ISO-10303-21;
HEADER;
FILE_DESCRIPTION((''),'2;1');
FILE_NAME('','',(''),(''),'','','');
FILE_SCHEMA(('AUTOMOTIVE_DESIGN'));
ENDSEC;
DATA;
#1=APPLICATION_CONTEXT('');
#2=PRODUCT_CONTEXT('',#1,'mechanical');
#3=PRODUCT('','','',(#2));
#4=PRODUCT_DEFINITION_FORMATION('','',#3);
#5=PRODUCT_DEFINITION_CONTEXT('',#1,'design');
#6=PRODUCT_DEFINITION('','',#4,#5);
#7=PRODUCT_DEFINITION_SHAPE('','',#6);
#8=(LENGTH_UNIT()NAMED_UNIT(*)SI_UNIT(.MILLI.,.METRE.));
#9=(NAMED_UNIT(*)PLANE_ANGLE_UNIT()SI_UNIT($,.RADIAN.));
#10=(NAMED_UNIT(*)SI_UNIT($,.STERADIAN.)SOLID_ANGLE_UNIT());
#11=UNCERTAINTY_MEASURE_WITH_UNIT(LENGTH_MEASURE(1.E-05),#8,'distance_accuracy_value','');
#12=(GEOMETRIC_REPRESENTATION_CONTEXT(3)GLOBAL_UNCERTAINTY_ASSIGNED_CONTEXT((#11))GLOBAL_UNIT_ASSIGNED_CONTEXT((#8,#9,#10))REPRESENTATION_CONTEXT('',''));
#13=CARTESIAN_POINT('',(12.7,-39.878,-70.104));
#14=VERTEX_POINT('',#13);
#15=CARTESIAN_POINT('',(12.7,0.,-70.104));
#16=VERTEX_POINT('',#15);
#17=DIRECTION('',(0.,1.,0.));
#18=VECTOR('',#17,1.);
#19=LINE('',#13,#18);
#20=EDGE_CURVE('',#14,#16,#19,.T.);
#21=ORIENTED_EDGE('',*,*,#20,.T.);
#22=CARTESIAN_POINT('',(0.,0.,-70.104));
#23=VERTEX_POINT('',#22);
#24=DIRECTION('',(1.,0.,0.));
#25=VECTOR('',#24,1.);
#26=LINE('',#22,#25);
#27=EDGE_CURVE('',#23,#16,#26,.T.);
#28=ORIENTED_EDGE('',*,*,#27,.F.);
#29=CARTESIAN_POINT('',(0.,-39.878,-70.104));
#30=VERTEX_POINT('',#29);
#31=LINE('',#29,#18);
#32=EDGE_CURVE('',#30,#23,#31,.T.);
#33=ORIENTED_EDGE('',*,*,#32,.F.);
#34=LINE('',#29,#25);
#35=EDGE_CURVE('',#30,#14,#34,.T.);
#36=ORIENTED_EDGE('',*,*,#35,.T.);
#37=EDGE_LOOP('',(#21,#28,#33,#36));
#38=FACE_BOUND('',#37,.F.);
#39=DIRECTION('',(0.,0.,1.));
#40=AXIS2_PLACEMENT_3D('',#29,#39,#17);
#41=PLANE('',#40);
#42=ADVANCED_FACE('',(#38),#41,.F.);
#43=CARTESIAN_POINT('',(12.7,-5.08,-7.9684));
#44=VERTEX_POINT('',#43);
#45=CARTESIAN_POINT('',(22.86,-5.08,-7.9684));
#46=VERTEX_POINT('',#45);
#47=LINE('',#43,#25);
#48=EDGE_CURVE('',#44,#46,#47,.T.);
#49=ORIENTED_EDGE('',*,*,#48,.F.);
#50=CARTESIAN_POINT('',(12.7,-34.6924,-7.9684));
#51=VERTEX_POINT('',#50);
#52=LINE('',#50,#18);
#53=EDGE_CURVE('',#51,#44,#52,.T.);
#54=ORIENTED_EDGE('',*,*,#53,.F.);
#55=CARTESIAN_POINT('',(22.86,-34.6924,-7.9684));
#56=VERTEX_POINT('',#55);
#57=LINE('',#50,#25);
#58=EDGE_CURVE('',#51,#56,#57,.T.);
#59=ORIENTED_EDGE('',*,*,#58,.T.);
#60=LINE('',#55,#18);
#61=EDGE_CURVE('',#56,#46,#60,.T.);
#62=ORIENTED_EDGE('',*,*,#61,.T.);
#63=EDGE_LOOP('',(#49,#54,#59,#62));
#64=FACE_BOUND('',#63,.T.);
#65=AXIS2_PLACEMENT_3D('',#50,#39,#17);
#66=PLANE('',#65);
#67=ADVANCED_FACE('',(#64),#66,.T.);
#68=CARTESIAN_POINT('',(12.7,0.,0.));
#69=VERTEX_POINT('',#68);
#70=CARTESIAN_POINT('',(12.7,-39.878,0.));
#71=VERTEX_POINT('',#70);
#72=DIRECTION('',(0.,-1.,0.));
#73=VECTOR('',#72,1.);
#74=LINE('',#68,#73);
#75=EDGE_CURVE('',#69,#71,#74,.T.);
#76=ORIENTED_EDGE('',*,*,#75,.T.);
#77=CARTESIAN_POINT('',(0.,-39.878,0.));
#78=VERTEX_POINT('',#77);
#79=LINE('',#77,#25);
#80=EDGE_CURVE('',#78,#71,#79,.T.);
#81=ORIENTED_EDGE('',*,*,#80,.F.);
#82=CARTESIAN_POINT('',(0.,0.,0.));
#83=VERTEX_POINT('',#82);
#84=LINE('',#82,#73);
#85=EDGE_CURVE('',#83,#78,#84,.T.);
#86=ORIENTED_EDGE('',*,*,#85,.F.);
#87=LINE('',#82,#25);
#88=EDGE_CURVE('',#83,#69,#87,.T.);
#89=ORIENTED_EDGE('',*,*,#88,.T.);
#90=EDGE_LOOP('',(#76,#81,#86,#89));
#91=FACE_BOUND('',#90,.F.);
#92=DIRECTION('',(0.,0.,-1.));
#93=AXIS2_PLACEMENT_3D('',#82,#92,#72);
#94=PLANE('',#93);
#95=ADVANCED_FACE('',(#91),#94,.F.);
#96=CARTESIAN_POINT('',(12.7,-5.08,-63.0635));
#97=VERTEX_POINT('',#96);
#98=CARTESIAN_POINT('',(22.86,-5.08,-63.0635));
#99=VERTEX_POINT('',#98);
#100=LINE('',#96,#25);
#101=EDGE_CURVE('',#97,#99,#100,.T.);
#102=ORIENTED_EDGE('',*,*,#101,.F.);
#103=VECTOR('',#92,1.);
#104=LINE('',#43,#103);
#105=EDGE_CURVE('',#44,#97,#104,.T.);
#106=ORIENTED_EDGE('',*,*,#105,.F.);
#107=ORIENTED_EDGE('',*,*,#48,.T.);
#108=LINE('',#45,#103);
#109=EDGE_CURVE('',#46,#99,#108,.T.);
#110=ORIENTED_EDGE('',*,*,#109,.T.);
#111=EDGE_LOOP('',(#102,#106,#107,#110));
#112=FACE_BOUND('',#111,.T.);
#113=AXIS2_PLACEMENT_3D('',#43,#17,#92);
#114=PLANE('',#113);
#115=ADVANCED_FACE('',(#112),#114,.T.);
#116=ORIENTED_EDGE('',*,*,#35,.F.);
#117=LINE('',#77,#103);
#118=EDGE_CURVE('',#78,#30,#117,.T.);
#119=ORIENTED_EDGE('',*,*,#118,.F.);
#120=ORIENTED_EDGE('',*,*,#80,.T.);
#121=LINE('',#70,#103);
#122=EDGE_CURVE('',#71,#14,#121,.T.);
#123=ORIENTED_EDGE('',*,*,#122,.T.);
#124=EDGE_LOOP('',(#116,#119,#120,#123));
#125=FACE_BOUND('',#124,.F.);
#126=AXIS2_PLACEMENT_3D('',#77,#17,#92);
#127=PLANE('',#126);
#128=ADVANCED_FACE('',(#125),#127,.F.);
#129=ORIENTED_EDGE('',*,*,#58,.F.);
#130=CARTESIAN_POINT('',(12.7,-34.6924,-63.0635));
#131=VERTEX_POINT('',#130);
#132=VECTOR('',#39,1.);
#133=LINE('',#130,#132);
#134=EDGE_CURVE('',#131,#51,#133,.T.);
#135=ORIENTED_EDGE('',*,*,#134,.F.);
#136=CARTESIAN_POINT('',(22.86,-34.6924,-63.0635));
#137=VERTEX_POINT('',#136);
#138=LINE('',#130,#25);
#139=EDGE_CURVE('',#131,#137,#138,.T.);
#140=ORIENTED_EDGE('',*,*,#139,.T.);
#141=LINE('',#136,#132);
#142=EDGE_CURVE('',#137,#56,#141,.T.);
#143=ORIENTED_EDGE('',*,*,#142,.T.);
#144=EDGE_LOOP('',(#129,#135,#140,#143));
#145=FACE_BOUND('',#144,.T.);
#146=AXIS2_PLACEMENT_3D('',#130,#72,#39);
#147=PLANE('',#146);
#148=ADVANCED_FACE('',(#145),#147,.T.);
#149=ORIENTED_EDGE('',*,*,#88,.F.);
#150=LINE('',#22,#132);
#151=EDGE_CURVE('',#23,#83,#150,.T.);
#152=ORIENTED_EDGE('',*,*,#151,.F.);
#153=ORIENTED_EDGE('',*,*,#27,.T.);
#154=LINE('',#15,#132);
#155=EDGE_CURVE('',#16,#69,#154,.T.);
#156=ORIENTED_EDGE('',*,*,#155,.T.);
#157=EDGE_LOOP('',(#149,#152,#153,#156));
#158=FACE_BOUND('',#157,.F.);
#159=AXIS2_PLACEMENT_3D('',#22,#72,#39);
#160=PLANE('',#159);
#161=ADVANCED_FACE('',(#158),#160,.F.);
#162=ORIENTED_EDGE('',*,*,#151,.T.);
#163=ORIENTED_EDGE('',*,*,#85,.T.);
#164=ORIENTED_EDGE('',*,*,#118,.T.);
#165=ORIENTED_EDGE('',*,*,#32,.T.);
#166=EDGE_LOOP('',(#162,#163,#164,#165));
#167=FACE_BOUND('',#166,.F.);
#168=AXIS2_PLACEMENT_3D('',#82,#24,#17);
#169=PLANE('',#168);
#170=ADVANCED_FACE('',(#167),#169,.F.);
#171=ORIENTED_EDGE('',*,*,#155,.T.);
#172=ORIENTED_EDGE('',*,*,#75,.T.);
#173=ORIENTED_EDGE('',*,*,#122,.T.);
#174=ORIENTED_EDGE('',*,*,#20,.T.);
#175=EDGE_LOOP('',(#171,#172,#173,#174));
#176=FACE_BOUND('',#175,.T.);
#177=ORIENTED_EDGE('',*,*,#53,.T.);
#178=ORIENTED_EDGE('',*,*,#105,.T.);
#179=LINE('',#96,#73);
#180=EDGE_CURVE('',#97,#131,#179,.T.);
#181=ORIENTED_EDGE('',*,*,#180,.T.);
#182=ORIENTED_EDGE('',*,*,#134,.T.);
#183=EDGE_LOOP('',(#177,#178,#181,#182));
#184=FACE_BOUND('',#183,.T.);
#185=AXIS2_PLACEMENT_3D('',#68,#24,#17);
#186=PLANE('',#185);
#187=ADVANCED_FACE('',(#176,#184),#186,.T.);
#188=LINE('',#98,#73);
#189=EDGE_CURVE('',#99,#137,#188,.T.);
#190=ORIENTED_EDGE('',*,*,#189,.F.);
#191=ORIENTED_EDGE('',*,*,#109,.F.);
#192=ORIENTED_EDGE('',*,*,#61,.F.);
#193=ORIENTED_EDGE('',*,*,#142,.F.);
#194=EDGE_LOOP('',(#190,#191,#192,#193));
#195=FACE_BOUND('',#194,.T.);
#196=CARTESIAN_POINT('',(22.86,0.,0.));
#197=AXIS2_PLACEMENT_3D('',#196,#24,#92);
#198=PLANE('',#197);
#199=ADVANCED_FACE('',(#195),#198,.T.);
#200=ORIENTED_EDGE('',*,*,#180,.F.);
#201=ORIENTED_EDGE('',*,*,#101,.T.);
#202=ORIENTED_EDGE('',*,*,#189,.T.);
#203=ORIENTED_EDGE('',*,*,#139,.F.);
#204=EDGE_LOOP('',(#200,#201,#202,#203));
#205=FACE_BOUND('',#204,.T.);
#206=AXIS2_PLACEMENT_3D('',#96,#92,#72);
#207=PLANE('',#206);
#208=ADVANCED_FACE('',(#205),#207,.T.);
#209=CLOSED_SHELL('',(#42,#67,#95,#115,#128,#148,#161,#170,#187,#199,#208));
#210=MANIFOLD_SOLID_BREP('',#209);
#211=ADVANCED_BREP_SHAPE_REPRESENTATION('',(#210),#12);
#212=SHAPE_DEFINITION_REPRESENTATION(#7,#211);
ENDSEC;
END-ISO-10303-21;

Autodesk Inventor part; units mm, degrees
ref_plane "YZ Plane" through (0, 0, 0) normal (1, 0, 0) x (0, 1, 0)
ref_plane "XZ Plane" through (0, 0, 0) normal (0, 1, 0) x (-1, 0, 0)
ref_plane "XY Plane" through (0, 0, 0) normal (0, 0, 1) x (1, 0, 0)
sketch "Sketch1" plane through (0, 0, 0) normal (1, 0, 0) x (0, 1, 0)
  line L0 (0, 0) -> (-39.878, 0)
  line L1 (-39.878, 0) -> (-39.878, -70.104)
  line L2 (-39.878, -70.104) -> (0, -70.104)
  line L3 (0, -70.104) -> (0, 0)
  dimension "d0" = 39.878
  dimension "d1" = 70.104
extrude "Extrusion1" add sketch "Sketch1" along normal blind 12.7
sketch "Sketch2" plane through (12.7, 0, 0) normal (1, 0, 0) x (0, 0, -1)
  line L0 (7.9684, 0) -> (7.9684, -5.08) construction
  line L1 (34.6892, -39.7724) -> (34.6892, -34.6924) construction
  line L2 (34.6892, -39.7724) -> (39.7692, -39.7724) construction
  line L3 (7.9684, -5.08) -> (63.0635, -5.08)
  line L4 (63.0635, -5.08) -> (63.0635, -34.6924)
  line L5 (63.0635, -34.6924) -> (7.9684, -34.6924)
  line L6 (7.9684, -34.6924) -> (7.9684, -5.08)
  point P0 (0, 0)
  dimension "d4" = 5.08
  dimension "d5" = 5.08
  dimension "d6" = 90
extrude "Extrusion2" add sketch "Sketch2" along normal blind 10.16
properties part number "Periph_Screen"
